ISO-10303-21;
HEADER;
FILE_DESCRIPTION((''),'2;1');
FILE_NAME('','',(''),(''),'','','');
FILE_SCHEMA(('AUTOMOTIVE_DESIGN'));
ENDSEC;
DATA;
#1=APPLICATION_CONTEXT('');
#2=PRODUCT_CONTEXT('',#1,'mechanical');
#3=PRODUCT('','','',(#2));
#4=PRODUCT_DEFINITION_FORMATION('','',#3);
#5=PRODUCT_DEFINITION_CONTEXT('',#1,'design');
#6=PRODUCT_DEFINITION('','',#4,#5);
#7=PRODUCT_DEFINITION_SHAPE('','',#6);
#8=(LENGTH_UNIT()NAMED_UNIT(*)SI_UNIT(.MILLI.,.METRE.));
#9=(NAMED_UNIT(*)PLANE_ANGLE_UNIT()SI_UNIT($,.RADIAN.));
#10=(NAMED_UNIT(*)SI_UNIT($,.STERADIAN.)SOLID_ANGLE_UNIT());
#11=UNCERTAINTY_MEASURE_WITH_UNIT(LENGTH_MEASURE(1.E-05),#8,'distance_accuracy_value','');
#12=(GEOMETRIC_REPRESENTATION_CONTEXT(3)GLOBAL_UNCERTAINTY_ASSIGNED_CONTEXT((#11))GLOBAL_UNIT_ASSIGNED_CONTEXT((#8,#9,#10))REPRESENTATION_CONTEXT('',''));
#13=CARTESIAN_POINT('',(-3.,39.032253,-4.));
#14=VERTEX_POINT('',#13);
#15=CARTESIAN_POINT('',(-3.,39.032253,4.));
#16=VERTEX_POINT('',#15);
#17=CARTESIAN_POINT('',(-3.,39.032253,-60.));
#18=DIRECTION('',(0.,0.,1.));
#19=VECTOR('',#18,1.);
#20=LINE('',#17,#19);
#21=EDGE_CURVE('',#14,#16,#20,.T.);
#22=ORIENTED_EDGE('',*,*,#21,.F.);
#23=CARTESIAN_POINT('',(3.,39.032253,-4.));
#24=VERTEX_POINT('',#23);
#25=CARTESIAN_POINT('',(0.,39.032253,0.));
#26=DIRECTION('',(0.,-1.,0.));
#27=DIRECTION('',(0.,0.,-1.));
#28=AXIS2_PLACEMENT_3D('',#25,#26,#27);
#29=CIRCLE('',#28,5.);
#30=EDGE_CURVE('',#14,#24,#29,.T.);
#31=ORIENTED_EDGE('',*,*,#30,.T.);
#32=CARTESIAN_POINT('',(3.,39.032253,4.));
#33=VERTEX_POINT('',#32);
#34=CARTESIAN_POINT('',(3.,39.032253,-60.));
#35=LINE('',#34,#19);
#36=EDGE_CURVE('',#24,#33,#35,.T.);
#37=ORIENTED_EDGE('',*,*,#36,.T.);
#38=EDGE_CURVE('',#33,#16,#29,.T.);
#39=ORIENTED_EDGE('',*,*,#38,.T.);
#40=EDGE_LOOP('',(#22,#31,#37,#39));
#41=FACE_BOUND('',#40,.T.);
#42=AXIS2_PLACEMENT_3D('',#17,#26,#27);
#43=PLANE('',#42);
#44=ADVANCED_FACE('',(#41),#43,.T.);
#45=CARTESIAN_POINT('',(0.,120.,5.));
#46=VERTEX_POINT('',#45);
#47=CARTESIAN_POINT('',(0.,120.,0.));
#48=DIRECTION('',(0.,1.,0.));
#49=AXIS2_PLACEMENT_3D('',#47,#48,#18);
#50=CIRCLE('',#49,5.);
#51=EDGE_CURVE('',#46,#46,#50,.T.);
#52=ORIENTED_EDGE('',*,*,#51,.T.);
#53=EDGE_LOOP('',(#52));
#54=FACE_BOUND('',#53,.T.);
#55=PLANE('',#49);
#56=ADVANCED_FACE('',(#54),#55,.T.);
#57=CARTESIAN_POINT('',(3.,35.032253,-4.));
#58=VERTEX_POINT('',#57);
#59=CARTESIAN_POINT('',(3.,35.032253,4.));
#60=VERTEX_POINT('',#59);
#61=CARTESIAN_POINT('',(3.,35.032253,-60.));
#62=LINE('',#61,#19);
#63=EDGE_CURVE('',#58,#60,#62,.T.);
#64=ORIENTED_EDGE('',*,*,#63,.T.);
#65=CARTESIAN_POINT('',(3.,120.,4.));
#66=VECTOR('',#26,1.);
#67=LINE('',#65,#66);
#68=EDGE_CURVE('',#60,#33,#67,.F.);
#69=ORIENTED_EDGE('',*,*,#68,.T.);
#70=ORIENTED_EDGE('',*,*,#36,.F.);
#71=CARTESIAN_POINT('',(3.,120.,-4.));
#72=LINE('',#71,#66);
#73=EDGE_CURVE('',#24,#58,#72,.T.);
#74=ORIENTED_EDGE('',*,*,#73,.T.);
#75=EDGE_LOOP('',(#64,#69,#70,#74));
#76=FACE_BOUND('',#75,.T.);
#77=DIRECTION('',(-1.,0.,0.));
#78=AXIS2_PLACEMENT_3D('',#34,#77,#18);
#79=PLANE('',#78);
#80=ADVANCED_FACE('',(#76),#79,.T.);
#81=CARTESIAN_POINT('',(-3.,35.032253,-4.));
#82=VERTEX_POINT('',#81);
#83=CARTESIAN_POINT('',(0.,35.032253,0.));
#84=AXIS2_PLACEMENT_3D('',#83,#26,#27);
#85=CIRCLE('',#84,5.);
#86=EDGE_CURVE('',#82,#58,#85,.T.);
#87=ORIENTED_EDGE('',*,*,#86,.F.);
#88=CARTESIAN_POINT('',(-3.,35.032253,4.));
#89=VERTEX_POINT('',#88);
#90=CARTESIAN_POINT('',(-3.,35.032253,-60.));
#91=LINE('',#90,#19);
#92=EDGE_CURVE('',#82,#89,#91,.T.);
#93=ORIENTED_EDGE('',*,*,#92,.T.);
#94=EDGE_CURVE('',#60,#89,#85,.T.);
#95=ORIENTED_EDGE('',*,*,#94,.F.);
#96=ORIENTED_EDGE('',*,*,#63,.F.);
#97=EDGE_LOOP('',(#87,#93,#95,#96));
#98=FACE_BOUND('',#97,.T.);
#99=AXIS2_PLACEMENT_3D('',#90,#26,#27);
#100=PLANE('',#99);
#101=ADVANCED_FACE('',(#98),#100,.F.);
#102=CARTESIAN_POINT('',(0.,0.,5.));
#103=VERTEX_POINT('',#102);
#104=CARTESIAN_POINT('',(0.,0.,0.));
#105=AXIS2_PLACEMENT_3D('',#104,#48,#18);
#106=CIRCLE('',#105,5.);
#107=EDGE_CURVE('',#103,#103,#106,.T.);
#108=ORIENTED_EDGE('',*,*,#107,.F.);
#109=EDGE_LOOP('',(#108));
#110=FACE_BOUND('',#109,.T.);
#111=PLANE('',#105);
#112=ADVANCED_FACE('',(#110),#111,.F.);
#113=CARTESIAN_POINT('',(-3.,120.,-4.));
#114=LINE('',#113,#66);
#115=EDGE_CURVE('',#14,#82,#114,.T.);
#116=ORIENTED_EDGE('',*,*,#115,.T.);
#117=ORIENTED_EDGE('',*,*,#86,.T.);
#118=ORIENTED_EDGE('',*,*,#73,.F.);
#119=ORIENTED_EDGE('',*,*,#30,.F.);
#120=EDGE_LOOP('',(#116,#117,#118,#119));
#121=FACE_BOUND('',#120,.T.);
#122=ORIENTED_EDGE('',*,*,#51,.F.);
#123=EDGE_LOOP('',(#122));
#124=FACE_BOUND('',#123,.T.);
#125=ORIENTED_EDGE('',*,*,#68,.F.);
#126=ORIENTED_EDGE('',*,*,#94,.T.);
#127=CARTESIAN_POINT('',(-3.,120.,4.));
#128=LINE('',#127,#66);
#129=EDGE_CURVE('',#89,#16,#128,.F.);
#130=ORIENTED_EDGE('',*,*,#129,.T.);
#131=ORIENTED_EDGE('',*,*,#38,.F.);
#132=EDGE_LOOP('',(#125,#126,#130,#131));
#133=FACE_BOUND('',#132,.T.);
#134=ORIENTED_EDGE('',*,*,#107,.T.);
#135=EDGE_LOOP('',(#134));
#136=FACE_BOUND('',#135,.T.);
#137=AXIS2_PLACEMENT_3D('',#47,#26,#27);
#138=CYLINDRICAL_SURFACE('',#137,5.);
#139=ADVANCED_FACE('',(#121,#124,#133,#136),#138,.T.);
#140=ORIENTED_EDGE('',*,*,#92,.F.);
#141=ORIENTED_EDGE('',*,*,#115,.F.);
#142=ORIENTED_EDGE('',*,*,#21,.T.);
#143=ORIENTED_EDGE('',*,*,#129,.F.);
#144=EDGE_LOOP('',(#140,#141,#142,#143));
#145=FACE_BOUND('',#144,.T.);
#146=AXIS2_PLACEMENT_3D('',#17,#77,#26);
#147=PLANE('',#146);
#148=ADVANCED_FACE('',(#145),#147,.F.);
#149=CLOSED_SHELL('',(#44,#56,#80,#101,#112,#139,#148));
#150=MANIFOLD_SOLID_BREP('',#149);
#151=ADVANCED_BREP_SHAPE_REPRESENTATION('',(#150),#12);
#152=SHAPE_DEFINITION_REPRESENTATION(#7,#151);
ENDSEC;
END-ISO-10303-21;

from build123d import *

# Parameters (mm, degrees)
SKETCH1_R           = 5
BOSS_EXTRUDE1_DEPTH = 120
SKETCH2_W           = 6
SKETCH2_H           = 4
CUT_EXTRUDE1_DEPTH  = 60


with BuildPart() as part:
    # Sketch1 → Boss-Extrude1 (new body)
    with BuildSketch(Plane(origin=(0, 0, 0), x_dir=(1, 0, 0), z_dir=(0, 1, 0))):
        with Locations(Location((0, 0, 0), (0, 0, 270))):
            Circle(SKETCH1_R)
    extrude(amount=BOSS_EXTRUDE1_DEPTH)

    # Sketch2 → Cut-Extrude1 (cut, symmetric)
    with BuildSketch(Plane.XY):
        with Locations((0, 37.032253422)):
            Rectangle(SKETCH2_W, SKETCH2_H)
    extrude(amount=CUT_EXTRUDE1_DEPTH, both=True, mode=Mode.SUBTRACT)


solid = part.part
